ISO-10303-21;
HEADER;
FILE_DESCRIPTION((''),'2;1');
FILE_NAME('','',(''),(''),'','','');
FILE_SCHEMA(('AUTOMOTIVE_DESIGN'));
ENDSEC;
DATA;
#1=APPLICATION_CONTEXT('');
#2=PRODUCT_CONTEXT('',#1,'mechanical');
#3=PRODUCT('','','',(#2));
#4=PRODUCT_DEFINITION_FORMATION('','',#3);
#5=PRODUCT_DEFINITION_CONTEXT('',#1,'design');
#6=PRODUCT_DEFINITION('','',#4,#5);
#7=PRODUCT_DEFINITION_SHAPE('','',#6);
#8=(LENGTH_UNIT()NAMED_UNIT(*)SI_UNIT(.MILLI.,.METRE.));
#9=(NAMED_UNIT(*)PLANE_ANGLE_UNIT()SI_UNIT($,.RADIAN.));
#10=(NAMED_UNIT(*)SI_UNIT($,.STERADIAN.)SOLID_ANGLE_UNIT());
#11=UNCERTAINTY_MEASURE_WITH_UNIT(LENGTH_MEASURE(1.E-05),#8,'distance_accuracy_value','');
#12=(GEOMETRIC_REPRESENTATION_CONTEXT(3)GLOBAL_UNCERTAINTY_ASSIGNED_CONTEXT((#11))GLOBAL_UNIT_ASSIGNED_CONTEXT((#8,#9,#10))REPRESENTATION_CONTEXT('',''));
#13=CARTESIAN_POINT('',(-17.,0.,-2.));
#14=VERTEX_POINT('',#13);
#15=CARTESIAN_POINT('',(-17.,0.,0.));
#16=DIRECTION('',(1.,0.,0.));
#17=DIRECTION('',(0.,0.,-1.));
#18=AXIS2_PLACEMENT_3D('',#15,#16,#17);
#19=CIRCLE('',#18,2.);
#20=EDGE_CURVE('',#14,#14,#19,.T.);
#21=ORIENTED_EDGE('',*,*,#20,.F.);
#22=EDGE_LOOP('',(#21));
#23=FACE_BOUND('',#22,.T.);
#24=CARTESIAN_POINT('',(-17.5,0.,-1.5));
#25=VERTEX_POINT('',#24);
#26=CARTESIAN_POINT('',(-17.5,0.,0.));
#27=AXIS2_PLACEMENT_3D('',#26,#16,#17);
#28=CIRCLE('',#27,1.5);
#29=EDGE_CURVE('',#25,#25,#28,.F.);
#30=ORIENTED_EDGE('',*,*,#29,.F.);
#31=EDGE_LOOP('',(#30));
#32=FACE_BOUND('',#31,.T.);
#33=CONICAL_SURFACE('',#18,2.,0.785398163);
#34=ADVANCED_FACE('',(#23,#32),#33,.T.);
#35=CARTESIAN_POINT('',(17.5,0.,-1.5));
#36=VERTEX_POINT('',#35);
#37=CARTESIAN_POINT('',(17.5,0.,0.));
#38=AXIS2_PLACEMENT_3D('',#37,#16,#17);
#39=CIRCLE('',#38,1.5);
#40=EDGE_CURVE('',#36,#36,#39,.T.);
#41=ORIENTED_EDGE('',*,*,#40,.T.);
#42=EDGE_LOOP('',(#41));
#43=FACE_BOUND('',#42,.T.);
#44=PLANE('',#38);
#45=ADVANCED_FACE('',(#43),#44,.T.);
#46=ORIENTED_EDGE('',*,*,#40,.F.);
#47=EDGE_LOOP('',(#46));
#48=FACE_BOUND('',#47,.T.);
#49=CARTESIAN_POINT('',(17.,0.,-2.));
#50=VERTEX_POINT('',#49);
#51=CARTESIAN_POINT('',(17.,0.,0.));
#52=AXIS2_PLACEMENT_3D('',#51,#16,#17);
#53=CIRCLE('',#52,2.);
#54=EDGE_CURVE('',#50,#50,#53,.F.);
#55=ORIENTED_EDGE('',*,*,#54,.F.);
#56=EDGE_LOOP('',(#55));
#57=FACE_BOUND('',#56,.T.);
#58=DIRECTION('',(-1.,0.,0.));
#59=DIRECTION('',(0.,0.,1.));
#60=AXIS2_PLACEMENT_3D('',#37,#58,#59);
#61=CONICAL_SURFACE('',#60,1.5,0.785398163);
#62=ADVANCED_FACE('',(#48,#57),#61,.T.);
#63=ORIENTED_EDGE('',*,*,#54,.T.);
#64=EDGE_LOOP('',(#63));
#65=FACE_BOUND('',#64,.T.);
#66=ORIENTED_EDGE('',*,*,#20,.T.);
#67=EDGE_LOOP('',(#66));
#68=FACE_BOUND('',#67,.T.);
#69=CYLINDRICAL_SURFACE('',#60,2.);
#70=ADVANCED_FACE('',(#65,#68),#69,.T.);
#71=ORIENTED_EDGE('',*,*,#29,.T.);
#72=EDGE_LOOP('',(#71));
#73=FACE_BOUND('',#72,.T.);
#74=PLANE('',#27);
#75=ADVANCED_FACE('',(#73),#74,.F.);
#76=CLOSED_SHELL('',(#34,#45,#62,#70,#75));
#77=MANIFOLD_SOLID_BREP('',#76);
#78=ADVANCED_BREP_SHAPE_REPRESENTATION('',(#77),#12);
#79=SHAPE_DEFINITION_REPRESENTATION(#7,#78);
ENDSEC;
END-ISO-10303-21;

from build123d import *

# Parameters (mm, degrees)
SKIZZE1_R                       = 2
AUFSATZ_LINEAR_AUSTRAGEN1_DEPTH = 17.5
FASE1_SIZE                      = 0.5


with BuildPart() as part:
    # Skizze1 → Aufsatz-Linear austragen1 (new body, symmetric)
    with BuildSketch(Plane(origin=(0, 0, 0), x_dir=(0, 0, -1), z_dir=(1, 0, 0))):
        Circle(SKIZZE1_R)
    extrude(amount=AUFSATZ_LINEAR_AUSTRAGEN1_DEPTH, both=True)

    # Fase1
    fase1_edges = [part.edges().sort_by_distance(p)[0] for p in [
        (-17.5, 0, 2),
        (17.5, 0, 2),
    ]]
    chamfer(fase1_edges, length=FASE1_SIZE)


solid = part.part
